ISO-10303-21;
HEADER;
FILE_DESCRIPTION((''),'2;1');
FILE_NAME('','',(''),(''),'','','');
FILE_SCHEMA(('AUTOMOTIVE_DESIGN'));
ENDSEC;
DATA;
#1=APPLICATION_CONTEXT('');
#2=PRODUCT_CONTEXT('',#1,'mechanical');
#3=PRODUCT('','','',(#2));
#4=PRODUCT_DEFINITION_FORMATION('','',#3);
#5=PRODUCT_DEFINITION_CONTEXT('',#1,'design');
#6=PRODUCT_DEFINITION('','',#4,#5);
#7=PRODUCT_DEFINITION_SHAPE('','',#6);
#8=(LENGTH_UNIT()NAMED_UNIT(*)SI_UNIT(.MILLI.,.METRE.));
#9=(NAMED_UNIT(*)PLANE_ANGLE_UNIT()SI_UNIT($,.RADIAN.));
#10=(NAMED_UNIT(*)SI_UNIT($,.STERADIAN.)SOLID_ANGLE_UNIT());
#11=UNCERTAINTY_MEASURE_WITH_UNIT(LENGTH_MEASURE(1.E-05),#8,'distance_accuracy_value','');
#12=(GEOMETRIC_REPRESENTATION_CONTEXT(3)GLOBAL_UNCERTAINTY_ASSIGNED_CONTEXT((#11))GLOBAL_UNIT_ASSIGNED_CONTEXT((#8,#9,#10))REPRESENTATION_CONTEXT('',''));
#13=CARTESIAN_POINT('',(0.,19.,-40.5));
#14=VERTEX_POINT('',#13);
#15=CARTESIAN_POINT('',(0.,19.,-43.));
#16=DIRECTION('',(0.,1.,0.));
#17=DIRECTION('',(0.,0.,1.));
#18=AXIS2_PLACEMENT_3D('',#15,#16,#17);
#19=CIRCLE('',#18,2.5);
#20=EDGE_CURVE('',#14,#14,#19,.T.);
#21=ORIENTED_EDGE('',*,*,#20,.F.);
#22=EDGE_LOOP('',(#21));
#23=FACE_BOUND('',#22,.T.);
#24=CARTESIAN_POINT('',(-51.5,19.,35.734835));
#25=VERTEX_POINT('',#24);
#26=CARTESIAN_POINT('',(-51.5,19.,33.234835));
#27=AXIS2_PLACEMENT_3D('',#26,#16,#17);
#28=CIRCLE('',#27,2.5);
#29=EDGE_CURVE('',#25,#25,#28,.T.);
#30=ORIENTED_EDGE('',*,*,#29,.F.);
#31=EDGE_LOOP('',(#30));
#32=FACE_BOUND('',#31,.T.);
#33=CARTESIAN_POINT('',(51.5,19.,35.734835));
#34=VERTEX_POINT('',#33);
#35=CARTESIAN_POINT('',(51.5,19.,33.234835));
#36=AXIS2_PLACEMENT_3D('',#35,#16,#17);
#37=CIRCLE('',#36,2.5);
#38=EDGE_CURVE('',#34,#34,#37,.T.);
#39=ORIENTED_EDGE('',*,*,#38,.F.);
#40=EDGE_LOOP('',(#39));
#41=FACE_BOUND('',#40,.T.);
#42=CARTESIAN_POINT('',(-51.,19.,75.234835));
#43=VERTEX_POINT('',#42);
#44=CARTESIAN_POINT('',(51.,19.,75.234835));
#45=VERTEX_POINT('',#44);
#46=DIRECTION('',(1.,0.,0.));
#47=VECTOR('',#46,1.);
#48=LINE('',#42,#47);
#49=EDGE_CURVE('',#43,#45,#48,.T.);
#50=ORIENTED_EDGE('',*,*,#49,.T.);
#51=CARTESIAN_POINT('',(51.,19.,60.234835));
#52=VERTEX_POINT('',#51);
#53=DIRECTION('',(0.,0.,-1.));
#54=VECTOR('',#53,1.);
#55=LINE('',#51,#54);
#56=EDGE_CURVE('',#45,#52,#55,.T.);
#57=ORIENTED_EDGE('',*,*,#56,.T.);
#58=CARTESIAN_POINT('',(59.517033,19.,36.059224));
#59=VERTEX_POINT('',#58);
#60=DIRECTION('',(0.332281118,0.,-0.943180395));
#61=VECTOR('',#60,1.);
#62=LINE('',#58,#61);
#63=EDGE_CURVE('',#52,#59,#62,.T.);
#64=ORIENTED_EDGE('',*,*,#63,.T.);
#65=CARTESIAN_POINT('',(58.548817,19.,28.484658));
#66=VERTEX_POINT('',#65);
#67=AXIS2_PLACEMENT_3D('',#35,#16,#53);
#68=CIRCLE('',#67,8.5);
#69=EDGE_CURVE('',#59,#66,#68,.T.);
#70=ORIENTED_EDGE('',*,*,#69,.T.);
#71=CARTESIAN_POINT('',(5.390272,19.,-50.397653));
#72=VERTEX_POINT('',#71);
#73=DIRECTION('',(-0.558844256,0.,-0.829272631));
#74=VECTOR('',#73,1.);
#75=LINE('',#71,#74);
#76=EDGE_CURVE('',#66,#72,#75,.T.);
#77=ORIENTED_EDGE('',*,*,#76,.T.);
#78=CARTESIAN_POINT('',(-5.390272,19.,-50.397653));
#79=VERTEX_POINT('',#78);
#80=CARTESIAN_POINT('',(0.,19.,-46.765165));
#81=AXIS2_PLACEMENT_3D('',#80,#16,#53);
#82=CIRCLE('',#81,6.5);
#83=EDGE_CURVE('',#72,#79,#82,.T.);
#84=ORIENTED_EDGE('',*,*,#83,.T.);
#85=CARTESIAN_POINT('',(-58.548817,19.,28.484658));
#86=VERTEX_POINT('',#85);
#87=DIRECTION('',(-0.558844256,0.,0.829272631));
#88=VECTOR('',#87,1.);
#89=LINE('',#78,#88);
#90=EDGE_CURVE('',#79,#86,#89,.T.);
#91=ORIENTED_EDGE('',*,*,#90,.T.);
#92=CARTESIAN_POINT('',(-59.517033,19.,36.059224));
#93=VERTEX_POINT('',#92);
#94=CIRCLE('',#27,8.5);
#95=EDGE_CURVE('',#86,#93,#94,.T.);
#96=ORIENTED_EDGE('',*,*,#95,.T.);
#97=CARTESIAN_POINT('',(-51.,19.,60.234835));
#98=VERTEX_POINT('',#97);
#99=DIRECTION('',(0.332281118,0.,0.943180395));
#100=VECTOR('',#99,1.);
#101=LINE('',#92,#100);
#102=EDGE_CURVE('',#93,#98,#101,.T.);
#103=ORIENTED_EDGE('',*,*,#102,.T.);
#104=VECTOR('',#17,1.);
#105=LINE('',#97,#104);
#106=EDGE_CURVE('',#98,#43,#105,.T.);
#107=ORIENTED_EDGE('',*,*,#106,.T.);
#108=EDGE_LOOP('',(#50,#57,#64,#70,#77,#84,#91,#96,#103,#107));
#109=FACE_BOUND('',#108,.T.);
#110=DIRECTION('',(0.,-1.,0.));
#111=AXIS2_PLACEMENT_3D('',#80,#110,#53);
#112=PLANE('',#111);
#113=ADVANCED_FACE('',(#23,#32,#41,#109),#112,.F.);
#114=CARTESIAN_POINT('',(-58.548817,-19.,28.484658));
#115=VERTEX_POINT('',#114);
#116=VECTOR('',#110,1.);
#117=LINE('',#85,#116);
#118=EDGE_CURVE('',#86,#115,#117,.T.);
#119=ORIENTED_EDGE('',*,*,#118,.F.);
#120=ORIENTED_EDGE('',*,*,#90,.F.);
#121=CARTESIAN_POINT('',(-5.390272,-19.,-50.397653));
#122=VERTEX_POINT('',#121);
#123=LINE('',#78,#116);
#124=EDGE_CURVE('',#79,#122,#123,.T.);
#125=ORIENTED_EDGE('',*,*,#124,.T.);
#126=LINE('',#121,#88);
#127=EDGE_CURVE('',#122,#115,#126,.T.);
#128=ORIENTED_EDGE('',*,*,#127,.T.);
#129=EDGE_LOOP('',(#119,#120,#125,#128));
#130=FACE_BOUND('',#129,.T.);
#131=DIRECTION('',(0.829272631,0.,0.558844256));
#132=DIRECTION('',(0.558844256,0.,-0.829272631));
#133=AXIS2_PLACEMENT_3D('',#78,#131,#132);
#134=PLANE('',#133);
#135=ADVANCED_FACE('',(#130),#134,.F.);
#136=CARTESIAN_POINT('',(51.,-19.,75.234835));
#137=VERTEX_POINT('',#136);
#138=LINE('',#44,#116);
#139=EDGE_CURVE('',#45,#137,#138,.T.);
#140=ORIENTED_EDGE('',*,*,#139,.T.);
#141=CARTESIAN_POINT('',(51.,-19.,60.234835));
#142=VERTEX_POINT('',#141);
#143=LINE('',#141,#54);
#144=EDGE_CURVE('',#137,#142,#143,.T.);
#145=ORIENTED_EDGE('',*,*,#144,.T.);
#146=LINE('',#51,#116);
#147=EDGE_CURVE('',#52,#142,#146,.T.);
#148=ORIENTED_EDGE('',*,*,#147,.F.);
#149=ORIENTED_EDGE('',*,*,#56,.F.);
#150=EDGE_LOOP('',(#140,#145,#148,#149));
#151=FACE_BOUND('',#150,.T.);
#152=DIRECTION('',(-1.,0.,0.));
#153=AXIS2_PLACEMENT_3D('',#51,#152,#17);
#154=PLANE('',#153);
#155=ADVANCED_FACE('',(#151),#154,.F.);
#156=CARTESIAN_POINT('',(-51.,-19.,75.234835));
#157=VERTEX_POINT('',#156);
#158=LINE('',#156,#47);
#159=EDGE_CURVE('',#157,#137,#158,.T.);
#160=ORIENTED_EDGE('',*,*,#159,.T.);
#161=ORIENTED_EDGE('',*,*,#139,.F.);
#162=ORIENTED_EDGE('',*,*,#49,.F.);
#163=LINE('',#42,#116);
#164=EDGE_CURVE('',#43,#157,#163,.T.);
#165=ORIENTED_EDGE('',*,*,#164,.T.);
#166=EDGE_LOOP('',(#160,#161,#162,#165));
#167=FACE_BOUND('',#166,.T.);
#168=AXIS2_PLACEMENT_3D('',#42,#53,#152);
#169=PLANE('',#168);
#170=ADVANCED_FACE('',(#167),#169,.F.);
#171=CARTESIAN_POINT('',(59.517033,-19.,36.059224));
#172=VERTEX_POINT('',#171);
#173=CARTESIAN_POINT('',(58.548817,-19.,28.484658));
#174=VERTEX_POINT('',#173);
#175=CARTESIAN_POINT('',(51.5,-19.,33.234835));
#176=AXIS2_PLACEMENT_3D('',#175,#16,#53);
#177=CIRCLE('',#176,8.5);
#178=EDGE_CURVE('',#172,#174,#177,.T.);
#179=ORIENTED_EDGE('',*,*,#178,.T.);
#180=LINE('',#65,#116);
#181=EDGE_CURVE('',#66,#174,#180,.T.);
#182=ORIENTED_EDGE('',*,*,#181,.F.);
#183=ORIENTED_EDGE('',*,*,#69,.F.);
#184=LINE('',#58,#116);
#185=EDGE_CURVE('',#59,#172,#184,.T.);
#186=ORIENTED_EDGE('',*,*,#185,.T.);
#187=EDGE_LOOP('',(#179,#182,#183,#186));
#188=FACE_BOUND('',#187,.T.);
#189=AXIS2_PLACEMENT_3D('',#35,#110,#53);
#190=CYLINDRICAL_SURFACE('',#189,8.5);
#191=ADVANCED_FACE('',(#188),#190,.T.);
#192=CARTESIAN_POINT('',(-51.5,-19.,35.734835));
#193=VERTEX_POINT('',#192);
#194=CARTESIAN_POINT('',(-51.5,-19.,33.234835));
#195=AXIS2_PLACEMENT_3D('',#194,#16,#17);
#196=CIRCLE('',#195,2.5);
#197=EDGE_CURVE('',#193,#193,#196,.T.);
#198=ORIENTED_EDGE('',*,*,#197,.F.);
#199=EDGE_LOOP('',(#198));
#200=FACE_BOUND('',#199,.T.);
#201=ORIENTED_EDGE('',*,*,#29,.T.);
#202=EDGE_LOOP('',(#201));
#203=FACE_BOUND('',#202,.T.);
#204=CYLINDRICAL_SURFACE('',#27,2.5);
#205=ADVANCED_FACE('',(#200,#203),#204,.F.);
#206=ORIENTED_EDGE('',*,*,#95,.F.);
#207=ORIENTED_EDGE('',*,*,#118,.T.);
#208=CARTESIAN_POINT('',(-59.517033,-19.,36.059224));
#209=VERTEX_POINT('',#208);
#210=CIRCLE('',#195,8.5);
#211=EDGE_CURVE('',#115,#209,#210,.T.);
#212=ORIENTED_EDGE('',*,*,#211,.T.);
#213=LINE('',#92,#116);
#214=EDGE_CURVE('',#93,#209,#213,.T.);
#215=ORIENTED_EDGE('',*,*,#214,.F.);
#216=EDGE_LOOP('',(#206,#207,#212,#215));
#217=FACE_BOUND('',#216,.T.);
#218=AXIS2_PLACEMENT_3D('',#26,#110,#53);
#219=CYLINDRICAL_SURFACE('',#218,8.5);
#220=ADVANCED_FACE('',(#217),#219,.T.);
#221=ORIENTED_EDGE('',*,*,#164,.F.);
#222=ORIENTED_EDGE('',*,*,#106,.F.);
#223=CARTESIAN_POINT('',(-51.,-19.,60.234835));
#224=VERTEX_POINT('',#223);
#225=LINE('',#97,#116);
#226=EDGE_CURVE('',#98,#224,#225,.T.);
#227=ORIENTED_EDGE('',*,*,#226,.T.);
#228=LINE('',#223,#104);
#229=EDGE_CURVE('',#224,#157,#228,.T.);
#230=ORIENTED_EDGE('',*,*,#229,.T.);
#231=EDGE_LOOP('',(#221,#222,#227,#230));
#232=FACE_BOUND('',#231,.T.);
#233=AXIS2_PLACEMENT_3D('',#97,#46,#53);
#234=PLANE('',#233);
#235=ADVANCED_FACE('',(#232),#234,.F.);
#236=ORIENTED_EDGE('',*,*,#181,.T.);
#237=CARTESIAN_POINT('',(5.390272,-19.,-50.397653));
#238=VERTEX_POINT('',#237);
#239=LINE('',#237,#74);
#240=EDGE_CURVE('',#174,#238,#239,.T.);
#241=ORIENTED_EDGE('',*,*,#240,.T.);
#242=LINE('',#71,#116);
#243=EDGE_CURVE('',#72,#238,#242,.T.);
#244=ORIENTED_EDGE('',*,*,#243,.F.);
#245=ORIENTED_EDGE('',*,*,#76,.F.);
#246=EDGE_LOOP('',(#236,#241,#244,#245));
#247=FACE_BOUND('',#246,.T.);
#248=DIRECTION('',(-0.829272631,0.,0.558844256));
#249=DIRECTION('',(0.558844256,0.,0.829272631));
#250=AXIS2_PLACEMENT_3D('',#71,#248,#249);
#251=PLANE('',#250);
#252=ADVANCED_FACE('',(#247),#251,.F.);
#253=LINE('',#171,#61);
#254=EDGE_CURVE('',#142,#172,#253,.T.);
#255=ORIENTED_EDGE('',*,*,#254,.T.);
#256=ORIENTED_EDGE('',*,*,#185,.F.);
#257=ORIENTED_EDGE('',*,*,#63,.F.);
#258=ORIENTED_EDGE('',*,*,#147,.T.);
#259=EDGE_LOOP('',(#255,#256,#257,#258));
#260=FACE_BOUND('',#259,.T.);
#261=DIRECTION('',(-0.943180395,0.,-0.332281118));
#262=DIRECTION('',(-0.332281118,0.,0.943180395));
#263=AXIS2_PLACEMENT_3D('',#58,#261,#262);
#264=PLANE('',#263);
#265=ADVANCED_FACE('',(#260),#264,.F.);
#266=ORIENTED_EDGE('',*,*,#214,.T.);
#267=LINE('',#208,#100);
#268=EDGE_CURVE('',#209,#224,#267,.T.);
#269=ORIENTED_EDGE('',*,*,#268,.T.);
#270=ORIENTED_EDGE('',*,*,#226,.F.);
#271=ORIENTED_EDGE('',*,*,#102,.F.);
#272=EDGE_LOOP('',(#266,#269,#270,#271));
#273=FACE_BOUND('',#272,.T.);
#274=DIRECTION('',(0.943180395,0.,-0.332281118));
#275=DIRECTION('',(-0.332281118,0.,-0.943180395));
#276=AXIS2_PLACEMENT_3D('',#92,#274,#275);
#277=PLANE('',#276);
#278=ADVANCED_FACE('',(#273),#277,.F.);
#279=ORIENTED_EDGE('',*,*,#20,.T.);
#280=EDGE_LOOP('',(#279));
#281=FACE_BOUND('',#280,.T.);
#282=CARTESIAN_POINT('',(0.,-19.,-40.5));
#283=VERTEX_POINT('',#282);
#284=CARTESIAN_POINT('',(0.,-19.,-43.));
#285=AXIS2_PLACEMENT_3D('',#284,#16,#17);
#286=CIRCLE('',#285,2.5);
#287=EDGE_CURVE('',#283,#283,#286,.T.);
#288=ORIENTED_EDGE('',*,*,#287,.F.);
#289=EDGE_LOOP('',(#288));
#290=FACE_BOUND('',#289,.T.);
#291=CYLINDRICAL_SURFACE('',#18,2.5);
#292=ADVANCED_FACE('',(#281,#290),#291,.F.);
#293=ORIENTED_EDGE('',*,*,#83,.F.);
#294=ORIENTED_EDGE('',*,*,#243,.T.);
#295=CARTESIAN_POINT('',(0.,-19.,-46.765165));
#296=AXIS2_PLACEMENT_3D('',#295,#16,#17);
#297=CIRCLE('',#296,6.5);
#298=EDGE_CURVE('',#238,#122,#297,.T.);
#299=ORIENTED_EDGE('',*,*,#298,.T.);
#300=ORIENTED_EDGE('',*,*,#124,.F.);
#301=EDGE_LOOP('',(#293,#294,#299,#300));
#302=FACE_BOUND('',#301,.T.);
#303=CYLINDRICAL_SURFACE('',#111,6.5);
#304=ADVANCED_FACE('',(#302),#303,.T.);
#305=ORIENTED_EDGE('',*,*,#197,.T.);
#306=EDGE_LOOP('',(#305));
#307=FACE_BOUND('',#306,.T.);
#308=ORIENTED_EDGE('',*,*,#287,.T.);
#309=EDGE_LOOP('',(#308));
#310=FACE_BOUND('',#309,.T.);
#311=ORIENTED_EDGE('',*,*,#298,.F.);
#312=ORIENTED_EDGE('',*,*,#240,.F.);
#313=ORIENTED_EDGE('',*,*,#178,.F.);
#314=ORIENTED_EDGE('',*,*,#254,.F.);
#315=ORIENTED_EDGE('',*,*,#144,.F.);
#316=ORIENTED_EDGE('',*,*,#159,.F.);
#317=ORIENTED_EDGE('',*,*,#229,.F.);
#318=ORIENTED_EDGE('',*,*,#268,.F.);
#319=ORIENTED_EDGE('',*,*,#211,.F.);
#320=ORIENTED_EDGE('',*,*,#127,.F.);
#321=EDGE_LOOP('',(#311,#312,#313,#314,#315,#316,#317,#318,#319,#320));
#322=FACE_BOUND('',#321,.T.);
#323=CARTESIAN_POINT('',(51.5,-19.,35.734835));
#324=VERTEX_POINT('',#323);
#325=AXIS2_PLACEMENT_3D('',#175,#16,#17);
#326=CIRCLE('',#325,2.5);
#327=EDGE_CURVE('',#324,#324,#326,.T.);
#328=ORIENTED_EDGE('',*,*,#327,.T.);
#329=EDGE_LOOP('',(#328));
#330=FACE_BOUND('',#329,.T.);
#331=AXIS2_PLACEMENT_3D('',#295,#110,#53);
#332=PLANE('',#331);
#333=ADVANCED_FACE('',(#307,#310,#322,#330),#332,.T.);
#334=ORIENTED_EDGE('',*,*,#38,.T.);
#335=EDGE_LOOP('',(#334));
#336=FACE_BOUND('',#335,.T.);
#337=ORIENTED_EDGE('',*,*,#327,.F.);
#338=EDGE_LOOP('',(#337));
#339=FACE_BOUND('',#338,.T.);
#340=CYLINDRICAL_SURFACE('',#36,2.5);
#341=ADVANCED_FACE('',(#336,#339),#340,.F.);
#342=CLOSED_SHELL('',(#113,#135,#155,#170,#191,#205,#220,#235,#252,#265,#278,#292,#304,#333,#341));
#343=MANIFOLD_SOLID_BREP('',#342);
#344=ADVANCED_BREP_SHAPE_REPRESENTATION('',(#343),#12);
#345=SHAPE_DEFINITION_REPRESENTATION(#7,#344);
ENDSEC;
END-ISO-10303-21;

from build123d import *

# Parameters (mm, degrees)
BASE_MODEL_DEPTH         = 19
F_5_0_5_DIAMETER_HOLE1_D = 5


with BuildPart() as part:
    # Top → Base Model (new, symmetric)
    with BuildSketch(Plane(origin=(0, 0, 0), x_dir=(1, 0, 0), z_dir=(0, 1, 0))):
        with BuildLine():
            Line((-5.390272104, 50.397653109), (-58.548817366, -28.484658378))
            ThreePointArc((-58.548817366, -28.484658378), (-59.931398216, -32.157094268), (-59.517033361, -36.059224064))
            Line((-59.517033361, -36.059224064), (-51, -60.234834557))
            Line((-51, -60.234834557), (-51, -75.234834557))
            Line((-51, -75.234834557), (51, -75.234834557))
            Line((51, -75.234834557), (51, -60.234834557))
            Line((51, -60.234834557), (59.517033361, -36.059224064))
            ThreePointArc((59.517033361, -36.059224064), (59.931398216, -32.157094268), (58.548817366, -28.484658378))
            Line((58.548817366, -28.484658378), (5.390272104, 50.397653109))
            ThreePointArc((5.390272104, 50.397653109), (3.052771705, 52.503683101), (0, 53.265165443))
            ThreePointArc((0, 53.265165443), (-3.052771705, 52.503683101), (-5.390272104, 50.397653109))
        make_face()
    extrude(amount=BASE_MODEL_DEPTH, both=True)

    # Ø5.0 (5) Diameter Hole1 (through all)
    with Locations(Plane(origin=(0, 19, 0), x_dir=(1, 0, 0), z_dir=(0, 1, 0))):
        with Locations((-51.5, -33.234834557), (0, 43), (51.5, -33.234834557)):
            Hole(F_5_0_5_DIAMETER_HOLE1_D / 2)


solid = part.part
